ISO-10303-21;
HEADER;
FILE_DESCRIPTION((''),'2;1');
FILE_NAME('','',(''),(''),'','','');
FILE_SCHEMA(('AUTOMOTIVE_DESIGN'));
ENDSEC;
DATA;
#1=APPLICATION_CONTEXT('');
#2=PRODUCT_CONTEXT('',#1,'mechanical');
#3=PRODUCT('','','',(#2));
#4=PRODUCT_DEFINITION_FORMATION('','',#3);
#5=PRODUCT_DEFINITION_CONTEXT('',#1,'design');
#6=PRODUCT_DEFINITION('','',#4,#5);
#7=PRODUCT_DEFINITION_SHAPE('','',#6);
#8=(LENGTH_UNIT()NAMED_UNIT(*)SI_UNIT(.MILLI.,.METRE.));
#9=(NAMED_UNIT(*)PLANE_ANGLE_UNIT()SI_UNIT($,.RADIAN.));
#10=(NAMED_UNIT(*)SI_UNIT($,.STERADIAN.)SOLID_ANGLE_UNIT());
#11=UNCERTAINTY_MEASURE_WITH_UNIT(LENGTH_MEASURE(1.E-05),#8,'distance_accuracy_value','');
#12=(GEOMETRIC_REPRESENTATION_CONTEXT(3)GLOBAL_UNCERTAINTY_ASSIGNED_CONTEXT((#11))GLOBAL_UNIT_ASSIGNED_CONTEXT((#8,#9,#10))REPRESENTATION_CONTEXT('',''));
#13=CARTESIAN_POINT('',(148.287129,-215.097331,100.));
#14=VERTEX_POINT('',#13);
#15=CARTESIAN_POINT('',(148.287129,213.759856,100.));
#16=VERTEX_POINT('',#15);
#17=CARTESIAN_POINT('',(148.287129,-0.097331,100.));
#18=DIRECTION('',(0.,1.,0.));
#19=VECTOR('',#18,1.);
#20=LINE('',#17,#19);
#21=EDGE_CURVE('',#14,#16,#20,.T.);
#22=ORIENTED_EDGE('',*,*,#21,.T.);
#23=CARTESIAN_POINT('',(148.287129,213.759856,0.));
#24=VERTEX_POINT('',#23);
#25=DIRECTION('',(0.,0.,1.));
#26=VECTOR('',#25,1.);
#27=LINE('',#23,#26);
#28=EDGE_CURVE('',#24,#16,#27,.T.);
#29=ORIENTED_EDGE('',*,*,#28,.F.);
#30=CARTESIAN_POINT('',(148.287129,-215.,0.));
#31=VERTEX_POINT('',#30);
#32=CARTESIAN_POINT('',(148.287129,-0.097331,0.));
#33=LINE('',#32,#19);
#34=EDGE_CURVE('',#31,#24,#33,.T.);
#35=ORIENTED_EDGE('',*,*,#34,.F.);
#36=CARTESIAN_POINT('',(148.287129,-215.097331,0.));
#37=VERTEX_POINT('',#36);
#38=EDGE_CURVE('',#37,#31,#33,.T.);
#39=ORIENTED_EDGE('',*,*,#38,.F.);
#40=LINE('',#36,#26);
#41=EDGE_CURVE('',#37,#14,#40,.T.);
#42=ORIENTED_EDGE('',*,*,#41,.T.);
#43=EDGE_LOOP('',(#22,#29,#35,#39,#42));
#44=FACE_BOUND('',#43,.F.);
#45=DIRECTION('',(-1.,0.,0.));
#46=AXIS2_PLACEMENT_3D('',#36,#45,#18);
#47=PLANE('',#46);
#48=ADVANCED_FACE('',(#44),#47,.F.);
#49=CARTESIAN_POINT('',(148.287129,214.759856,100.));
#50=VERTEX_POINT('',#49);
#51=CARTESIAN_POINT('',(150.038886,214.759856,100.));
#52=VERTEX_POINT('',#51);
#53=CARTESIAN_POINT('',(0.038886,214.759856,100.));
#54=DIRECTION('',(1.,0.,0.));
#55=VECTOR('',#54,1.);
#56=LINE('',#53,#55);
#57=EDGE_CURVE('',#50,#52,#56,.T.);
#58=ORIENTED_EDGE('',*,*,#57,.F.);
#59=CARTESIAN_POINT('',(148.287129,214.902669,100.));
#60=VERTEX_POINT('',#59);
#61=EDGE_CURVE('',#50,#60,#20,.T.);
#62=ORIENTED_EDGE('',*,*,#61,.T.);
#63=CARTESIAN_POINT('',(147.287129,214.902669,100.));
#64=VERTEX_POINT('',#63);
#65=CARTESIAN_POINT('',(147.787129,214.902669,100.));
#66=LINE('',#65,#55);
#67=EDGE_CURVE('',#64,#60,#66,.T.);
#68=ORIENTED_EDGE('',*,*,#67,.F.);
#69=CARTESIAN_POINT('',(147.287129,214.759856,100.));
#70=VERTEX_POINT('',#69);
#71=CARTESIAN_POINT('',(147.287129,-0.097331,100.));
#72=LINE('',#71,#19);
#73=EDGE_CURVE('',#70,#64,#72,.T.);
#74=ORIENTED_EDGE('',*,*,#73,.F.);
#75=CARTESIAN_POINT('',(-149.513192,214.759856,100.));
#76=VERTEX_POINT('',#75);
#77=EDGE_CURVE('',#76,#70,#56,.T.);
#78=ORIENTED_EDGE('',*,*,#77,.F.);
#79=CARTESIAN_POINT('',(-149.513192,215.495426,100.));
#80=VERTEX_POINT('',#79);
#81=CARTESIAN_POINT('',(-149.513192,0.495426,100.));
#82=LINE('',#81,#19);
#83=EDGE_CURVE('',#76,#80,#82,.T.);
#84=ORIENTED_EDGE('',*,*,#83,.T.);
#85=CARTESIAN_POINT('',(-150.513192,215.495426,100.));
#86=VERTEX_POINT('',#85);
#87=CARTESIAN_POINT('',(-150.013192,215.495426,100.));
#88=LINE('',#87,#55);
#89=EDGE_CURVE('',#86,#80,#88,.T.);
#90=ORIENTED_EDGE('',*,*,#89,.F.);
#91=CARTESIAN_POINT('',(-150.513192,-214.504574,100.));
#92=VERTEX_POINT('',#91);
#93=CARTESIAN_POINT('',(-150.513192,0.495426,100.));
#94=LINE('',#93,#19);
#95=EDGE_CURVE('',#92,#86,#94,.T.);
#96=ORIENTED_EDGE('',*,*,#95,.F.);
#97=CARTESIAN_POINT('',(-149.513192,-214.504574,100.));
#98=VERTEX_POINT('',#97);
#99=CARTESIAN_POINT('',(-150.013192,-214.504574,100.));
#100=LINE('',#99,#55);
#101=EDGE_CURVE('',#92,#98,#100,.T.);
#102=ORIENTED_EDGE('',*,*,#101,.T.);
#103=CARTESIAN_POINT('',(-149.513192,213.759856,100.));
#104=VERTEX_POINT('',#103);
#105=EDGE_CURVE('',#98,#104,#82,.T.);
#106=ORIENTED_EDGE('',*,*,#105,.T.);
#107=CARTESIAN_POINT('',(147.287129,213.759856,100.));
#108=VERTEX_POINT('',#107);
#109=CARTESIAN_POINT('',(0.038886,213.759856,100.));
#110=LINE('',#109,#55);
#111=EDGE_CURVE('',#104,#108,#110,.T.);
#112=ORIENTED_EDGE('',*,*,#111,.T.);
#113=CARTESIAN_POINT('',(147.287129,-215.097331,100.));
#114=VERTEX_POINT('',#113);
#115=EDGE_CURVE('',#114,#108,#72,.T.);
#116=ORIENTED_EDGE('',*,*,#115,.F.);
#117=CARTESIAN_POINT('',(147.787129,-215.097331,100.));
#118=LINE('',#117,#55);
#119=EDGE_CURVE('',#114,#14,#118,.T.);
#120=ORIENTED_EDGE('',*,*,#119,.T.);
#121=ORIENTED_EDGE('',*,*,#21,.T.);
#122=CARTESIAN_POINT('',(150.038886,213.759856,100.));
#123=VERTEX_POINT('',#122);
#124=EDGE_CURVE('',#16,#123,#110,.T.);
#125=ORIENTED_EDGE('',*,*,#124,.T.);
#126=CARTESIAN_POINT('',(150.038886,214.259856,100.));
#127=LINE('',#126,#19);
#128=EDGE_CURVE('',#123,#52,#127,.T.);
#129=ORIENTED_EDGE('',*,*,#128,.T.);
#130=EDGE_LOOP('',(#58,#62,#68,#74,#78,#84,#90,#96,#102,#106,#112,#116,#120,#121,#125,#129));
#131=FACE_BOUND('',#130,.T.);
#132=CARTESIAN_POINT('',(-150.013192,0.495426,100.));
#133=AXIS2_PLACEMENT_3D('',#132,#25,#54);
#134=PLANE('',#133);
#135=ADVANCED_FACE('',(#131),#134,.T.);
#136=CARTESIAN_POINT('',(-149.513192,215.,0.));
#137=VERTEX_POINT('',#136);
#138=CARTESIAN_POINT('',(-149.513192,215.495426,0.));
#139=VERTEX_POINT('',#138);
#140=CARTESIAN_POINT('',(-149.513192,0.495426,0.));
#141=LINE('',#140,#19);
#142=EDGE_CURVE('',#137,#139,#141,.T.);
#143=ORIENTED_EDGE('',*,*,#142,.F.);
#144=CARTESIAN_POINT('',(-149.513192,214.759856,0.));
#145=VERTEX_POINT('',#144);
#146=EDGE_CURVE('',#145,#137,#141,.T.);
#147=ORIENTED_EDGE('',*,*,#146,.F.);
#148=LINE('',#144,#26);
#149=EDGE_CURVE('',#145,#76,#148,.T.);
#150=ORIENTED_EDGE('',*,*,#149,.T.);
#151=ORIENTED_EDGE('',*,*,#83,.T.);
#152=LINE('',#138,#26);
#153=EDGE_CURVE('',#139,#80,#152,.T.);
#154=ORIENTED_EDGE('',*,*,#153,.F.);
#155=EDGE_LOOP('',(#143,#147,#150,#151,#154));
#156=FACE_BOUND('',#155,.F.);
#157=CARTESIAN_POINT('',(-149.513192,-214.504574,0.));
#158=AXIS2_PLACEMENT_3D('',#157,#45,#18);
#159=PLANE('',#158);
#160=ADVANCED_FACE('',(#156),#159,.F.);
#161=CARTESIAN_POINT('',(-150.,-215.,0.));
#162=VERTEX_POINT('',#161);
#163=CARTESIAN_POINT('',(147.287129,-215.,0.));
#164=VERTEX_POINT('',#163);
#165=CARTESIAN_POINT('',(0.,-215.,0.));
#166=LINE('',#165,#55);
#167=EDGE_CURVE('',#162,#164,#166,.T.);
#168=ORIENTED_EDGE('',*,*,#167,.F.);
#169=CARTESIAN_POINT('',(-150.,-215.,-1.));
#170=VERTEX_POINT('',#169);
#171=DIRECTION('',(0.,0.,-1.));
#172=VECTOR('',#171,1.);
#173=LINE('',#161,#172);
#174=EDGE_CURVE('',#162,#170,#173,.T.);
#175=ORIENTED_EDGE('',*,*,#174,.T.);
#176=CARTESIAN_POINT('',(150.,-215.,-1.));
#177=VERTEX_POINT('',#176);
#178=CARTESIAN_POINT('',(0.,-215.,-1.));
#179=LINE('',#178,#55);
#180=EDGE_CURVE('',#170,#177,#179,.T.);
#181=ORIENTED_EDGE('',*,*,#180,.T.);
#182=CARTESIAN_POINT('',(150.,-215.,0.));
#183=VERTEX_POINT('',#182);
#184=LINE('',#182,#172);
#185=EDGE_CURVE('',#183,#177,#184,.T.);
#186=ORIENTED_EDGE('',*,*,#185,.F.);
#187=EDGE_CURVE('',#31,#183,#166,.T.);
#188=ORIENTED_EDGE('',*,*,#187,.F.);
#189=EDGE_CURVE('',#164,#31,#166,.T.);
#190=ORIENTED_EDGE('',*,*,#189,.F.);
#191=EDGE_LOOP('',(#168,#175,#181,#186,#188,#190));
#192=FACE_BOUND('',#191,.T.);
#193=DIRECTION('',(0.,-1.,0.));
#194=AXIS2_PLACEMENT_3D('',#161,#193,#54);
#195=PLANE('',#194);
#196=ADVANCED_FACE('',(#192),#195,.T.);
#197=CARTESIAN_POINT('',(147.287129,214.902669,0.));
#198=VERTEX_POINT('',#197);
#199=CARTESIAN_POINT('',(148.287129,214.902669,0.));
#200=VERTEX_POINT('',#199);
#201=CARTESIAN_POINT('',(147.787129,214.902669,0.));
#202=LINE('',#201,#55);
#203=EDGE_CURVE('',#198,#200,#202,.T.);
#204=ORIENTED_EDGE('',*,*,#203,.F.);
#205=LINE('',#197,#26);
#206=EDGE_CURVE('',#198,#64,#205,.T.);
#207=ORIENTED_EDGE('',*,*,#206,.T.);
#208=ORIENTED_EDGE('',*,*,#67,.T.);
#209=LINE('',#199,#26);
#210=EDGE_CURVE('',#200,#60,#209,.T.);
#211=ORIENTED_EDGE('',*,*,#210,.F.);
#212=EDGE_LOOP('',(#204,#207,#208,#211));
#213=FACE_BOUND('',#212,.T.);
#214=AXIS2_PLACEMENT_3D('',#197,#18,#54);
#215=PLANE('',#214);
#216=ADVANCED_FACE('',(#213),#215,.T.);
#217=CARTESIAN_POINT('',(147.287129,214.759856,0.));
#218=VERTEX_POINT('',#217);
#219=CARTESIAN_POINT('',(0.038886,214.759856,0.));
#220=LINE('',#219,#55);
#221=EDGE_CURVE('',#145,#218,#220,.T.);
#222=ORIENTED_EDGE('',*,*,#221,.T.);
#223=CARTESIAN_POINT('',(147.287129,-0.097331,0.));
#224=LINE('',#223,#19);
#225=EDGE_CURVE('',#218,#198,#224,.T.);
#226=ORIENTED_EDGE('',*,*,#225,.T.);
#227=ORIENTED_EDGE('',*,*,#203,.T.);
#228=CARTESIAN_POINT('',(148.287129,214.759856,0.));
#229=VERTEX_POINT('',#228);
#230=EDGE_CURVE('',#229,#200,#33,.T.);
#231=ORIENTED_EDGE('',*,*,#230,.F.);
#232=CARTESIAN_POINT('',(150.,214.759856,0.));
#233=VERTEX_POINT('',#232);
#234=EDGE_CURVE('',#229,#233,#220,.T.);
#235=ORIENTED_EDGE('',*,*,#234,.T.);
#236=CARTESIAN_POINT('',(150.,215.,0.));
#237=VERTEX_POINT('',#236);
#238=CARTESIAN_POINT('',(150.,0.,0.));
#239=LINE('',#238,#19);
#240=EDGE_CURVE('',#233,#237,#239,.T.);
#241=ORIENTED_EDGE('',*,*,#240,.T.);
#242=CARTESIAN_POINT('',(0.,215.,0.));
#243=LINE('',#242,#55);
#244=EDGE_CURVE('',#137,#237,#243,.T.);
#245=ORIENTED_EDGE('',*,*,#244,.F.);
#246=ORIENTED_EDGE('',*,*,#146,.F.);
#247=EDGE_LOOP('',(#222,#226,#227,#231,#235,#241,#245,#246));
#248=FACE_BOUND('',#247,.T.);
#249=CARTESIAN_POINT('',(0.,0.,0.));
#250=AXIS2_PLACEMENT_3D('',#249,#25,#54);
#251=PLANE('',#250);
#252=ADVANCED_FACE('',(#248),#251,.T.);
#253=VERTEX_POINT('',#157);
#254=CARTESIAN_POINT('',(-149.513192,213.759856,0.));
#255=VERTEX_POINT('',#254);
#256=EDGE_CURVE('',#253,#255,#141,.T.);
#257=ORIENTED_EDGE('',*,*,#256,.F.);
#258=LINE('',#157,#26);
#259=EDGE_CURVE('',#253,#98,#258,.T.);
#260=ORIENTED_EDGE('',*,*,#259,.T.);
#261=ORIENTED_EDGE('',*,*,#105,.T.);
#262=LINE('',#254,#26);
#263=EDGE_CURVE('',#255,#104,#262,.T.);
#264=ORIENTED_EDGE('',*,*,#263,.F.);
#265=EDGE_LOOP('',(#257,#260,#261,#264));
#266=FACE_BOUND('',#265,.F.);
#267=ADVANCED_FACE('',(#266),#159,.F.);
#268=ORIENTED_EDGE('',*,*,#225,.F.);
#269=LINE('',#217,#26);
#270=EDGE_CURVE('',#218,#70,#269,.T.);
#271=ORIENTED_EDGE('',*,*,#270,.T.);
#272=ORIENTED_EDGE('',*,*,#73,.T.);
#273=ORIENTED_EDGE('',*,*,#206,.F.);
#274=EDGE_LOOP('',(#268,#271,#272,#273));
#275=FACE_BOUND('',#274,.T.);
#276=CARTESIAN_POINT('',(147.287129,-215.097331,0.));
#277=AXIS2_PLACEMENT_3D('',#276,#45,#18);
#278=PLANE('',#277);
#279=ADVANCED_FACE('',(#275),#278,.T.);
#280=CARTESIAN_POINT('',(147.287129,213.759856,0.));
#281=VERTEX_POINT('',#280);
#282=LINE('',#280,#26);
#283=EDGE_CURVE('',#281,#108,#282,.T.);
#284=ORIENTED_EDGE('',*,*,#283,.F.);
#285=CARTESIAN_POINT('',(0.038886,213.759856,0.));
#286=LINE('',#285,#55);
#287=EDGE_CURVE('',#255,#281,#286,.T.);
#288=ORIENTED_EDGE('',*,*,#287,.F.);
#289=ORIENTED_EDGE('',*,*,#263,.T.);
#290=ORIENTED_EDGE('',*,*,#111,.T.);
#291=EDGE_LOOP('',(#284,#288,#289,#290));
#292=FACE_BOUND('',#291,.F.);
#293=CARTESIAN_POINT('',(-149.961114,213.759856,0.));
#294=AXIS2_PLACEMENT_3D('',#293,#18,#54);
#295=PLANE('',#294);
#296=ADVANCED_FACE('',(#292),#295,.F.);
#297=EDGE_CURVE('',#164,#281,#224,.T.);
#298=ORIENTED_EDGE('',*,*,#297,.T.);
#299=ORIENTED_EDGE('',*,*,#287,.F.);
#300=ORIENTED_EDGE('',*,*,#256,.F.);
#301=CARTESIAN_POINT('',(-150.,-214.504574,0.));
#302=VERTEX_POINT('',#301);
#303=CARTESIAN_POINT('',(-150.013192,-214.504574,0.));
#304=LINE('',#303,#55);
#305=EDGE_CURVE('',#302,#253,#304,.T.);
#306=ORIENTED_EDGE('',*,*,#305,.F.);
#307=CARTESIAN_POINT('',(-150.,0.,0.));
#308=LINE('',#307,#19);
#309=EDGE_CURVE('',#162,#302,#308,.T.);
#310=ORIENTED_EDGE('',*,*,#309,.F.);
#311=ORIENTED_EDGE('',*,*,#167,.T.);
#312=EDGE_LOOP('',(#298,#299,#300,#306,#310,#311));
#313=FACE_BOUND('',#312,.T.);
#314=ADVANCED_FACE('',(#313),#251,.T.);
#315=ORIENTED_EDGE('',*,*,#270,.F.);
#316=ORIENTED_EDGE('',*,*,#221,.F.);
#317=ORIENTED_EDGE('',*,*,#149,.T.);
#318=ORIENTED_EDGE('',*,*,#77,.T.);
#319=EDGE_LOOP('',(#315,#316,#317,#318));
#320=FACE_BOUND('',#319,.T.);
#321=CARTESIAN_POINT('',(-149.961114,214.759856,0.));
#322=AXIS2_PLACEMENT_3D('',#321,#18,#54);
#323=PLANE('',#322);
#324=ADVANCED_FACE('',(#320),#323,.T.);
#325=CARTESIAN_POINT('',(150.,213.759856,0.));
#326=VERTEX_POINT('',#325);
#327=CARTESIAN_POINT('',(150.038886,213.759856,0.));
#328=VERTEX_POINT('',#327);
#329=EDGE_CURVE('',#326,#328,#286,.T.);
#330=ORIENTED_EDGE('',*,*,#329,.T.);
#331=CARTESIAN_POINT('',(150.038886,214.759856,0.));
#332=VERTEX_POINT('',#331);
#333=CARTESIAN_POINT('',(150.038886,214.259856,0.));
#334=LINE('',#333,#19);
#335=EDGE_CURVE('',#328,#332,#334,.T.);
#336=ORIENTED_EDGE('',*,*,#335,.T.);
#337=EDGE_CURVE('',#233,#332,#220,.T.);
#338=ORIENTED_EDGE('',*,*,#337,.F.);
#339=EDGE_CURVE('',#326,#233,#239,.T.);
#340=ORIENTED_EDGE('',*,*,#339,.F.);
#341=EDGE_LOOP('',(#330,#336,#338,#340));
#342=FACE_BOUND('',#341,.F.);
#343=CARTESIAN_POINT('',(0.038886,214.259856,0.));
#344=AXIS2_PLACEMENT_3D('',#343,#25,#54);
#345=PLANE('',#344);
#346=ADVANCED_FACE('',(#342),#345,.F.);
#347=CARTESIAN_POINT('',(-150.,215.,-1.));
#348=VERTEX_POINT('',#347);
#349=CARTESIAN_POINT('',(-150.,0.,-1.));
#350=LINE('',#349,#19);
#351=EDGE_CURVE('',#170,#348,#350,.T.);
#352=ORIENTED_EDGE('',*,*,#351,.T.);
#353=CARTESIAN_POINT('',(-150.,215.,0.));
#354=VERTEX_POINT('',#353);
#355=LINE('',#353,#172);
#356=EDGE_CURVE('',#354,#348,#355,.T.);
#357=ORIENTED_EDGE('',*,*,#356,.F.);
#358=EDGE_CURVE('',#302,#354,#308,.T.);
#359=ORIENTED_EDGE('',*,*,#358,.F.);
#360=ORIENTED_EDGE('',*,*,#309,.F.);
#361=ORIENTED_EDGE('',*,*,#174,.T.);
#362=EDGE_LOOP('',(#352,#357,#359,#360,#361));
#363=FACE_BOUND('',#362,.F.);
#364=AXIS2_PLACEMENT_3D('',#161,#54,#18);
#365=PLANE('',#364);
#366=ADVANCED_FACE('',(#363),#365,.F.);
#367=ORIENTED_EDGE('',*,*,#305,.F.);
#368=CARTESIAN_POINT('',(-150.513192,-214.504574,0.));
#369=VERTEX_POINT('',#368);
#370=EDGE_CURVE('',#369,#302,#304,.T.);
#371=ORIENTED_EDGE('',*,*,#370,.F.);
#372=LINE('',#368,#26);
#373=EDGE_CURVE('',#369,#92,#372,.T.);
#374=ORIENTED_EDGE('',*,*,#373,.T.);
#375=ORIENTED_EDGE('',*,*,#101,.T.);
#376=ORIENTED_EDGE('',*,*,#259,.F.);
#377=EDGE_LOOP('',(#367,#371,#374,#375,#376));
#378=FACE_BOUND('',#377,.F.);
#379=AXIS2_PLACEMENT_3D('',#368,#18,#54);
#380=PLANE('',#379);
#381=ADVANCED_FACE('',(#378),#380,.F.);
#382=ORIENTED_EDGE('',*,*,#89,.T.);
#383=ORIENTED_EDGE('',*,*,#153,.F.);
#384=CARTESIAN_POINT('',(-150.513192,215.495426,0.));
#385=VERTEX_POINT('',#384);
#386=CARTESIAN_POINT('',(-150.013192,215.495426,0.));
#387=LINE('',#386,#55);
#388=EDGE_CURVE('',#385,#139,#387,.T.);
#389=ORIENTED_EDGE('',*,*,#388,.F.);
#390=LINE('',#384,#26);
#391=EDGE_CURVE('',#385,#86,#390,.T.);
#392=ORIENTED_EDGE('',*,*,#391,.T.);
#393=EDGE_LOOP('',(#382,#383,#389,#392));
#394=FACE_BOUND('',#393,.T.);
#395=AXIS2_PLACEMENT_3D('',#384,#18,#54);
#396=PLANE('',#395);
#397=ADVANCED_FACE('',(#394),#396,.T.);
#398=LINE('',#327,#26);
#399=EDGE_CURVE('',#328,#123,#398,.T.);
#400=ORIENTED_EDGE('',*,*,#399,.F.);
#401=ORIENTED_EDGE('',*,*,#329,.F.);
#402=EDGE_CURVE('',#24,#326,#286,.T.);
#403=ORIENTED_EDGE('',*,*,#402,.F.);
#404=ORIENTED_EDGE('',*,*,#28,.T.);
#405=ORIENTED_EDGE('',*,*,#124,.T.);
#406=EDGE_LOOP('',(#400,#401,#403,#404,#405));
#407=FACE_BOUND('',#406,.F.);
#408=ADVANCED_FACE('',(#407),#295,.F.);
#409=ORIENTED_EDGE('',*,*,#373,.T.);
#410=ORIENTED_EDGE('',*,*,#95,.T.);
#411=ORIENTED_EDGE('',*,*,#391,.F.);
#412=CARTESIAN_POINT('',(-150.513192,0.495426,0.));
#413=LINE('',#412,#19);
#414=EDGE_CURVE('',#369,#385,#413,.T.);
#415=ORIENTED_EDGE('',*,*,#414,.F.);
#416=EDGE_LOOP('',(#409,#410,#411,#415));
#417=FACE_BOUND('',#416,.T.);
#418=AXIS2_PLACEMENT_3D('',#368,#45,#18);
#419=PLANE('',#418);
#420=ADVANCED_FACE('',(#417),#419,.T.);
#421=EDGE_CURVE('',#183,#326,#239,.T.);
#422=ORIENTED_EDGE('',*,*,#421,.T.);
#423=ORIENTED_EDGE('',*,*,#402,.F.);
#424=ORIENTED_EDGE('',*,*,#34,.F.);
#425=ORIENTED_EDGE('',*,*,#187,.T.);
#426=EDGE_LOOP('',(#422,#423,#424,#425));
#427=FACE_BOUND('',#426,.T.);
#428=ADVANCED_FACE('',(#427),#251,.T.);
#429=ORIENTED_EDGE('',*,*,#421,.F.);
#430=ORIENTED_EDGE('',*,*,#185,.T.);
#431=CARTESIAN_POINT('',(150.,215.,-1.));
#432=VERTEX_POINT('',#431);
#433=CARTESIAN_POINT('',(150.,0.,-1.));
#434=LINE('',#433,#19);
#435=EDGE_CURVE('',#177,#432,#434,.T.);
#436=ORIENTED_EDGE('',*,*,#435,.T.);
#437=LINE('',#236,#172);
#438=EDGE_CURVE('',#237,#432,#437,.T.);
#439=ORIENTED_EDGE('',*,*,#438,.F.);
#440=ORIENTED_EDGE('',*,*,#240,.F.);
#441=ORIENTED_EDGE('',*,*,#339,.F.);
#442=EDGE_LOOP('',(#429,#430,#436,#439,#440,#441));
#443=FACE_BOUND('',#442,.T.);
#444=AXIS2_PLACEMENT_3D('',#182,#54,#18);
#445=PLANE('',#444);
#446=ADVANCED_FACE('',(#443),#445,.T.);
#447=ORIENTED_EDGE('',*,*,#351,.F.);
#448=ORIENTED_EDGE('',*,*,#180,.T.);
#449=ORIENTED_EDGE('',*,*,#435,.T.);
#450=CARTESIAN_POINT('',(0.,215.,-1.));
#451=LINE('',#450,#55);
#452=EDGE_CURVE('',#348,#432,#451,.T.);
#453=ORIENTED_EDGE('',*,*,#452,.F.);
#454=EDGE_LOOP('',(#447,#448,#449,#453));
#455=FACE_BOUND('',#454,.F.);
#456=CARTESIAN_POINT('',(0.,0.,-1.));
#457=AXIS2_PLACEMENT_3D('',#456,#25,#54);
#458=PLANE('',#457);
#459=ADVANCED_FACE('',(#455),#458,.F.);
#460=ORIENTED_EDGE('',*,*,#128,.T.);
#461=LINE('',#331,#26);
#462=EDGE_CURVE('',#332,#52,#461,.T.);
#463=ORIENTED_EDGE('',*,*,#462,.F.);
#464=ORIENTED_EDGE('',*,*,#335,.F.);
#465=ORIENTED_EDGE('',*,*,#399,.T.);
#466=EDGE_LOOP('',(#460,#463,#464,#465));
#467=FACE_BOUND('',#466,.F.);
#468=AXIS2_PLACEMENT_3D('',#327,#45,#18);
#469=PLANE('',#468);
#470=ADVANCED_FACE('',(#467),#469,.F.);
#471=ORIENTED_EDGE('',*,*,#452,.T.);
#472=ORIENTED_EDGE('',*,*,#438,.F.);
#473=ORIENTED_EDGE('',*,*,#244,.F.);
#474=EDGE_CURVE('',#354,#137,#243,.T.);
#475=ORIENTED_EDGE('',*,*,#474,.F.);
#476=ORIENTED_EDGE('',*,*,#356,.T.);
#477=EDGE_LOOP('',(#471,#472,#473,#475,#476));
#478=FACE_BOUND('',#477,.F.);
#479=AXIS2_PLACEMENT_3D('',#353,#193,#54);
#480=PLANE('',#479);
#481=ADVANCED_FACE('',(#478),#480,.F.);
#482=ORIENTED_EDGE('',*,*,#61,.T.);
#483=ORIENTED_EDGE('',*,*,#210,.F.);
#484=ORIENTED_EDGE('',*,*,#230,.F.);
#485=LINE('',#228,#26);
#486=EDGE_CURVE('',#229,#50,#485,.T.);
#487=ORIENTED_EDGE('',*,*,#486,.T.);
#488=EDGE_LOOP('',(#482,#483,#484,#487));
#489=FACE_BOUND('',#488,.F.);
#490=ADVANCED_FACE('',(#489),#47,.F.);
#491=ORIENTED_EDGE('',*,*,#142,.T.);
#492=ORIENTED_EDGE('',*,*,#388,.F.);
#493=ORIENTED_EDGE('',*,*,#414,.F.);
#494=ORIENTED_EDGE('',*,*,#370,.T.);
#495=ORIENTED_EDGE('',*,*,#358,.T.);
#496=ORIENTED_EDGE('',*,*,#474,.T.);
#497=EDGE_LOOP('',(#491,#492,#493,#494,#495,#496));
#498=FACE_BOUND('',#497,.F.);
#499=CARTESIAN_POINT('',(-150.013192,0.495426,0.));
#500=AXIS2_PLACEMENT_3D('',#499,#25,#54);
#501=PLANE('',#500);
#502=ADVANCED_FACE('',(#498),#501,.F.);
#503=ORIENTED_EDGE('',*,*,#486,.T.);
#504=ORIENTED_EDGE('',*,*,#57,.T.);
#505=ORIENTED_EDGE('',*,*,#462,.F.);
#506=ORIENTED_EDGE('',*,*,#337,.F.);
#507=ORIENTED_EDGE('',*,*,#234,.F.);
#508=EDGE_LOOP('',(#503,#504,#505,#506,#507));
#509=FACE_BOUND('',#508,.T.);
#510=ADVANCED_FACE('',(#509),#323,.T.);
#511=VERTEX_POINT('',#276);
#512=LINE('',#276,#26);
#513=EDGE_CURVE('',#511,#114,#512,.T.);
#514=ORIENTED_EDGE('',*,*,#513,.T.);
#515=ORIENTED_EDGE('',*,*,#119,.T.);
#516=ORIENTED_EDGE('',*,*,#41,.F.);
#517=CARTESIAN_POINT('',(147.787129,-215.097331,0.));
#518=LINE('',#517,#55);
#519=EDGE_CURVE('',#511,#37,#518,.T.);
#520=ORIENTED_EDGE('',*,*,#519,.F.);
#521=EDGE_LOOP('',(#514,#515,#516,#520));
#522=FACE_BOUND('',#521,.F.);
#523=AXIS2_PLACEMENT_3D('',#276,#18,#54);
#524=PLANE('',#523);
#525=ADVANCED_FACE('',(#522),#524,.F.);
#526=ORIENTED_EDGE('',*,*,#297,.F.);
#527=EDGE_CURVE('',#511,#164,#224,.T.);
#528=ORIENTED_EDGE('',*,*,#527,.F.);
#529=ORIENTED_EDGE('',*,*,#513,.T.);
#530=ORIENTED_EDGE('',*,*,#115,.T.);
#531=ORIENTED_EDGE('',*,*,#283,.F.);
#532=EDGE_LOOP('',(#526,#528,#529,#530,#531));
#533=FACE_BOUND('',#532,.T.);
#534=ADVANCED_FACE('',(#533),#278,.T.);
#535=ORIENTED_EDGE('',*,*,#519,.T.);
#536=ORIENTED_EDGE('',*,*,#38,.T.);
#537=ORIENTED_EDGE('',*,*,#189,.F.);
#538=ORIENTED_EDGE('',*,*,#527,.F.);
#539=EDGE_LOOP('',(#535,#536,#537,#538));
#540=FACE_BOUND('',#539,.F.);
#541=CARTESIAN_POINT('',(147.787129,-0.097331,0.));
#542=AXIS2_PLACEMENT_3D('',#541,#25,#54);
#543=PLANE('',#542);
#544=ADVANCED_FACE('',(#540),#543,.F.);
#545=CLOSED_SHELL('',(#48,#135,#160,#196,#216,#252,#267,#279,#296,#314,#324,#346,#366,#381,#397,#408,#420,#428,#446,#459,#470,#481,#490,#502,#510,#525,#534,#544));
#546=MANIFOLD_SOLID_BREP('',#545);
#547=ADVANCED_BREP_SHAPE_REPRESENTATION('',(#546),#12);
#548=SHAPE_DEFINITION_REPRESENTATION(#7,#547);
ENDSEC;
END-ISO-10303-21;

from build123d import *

# Parameters (mm, degrees)
F0_W     = 300
F0_H     = 430
F1_DEPTH = 1
F2_W     = 300
F2_H     = 1
F3_DEPTH = 100
F4_W     = 1
F4_H     = 430
F5_DEPTH = 100
F6_W     = 1
F6_H     = 430
F7_DEPTH = 100


with BuildPart() as f1:
    # F0 (on Top) → F1 (new body)
    with BuildSketch(Plane.XY):
        Rectangle(F0_W, F0_H)
    extrude(amount=-F1_DEPTH)

    # F2 (on Top) → F3 (join)
    with BuildSketch(Plane.XY):
        with Locations((0.038886, 214.259856)):
            Rectangle(F2_W, F2_H)
    extrude(amount=F3_DEPTH)

    # F4 (on Top) → F5 (join)
    with BuildSketch(Plane.XY):
        with Locations((147.787129, -0.097331)):
            Rectangle(F4_W, F4_H)
    extrude(amount=F5_DEPTH)

    # F6 (on Top) → F7 (join)
    with BuildSketch(Plane.XY):
        with Locations((-150.013192, 0.495426)):
            Rectangle(F6_W, F6_H)
    extrude(amount=F7_DEPTH)


solid = f1.part
